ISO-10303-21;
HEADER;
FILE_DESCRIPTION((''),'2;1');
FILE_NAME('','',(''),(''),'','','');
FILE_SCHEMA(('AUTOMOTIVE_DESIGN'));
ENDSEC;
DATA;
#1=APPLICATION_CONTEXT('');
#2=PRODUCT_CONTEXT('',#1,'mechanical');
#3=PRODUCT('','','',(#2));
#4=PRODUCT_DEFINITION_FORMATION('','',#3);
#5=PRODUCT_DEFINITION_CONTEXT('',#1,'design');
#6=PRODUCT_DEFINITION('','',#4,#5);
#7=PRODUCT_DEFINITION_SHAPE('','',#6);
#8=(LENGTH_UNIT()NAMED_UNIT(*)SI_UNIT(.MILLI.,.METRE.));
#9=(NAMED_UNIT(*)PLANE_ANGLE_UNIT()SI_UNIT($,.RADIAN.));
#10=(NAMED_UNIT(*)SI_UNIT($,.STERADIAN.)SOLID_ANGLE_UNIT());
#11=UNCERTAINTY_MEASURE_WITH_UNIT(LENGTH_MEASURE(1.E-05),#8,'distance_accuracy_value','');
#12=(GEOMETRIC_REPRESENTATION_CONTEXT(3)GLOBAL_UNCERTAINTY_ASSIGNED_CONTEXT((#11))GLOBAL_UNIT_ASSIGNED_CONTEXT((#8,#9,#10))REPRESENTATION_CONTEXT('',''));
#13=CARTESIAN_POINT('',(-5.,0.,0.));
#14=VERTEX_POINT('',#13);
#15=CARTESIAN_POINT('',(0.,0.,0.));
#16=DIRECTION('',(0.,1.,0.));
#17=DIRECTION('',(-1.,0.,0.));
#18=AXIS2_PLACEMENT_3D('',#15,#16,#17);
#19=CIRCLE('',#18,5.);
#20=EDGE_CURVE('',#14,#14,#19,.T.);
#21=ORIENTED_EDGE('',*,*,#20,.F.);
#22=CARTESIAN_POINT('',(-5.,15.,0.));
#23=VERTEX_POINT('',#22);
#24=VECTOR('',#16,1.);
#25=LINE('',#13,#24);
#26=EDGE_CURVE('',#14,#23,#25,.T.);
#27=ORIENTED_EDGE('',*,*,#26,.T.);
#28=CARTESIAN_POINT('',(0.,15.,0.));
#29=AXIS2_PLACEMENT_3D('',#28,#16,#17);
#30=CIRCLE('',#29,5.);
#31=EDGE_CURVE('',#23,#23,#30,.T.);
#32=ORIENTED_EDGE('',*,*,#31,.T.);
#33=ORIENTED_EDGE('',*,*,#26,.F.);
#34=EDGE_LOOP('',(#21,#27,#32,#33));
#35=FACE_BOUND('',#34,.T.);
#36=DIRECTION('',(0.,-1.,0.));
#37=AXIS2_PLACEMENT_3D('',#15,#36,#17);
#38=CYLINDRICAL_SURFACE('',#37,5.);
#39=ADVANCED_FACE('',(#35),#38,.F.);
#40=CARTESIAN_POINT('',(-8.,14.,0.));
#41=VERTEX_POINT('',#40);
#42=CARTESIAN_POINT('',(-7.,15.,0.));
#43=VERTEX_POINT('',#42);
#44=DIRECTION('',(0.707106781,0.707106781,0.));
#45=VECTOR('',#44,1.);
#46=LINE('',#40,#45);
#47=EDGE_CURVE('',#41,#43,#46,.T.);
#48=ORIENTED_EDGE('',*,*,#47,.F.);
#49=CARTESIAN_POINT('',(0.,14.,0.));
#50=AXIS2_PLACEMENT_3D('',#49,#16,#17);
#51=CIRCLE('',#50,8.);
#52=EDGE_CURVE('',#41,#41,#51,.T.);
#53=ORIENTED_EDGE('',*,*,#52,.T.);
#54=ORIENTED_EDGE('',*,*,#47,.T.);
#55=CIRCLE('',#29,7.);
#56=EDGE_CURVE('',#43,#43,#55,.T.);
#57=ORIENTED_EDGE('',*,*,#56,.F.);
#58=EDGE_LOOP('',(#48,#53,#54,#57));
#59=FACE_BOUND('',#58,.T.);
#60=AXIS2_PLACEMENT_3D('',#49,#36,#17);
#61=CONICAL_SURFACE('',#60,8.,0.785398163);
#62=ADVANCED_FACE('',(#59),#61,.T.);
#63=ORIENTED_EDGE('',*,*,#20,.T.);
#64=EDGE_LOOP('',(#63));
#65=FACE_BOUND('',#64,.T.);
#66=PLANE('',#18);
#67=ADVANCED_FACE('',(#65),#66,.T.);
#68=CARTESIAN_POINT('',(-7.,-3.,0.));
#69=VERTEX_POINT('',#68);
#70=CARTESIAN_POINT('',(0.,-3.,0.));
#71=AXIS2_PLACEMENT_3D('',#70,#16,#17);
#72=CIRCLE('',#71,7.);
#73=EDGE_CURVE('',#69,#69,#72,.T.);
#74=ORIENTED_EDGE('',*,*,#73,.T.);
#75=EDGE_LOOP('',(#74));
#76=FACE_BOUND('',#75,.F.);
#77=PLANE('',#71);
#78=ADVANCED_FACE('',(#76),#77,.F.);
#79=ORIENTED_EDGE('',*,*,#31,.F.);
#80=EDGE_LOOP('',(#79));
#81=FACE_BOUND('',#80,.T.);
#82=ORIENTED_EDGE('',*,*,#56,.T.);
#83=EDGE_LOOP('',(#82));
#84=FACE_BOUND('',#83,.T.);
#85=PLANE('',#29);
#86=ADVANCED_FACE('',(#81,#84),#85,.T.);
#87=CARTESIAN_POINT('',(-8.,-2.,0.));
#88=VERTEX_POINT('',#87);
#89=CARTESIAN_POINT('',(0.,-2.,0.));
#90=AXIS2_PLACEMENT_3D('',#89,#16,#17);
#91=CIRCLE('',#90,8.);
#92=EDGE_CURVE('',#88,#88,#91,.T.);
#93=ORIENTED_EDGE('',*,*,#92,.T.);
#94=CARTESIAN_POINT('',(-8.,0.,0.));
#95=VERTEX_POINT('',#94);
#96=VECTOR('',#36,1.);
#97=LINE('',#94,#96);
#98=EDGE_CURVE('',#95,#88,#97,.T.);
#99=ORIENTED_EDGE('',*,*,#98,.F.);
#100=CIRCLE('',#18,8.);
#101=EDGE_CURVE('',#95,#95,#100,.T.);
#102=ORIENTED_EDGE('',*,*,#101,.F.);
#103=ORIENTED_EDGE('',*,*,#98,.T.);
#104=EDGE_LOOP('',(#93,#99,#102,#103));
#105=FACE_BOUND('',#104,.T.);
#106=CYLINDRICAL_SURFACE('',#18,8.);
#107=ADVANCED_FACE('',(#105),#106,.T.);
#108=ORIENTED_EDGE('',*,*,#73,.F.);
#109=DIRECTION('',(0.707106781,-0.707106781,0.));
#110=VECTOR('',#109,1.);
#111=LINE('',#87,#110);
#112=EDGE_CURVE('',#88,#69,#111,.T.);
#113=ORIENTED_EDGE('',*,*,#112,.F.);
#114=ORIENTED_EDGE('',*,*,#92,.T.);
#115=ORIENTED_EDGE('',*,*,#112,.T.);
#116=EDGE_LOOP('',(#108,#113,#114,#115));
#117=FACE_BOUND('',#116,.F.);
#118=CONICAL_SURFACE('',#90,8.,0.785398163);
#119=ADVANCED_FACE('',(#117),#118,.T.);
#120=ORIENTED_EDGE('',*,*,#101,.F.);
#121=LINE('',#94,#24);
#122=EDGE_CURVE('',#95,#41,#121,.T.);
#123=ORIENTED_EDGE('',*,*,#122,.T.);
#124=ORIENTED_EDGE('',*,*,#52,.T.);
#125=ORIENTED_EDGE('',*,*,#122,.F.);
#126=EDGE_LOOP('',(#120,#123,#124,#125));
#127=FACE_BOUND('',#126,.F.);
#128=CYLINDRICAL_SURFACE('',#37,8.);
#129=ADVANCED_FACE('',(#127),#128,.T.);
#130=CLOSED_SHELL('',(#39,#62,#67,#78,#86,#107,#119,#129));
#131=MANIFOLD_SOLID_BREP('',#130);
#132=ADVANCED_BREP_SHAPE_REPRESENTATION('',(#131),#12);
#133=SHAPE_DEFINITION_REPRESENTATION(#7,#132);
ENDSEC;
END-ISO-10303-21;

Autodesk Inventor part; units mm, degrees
ref_plane "YZ Plane" through (0, 0, 0) normal (1, 0, 0) x (0, 1, 0)
ref_plane "XZ Plane" through (0, 0, 0) normal (0, 1, 0) x (-1, 0, 0)
ref_plane "XY Plane" through (0, 0, 0) normal (0, 0, 1) x (1, 0, 0)
sketch "Sketch1" plane through (0, 0, 0) normal (0, 1, 0) x (-1, 0, 0)
  circle A0 centre (0, 0) radius 5
  circle A1 centre (0, 0) radius 8
  dimension "d0" = 10
  dimension "d1" = 16
extrude "Extrusion1" add sketch "Sketch1" against normal blind 3 contours A0 | A1
extrude "Extrusion2" add sketch "Sketch1" along normal blind 15
chamfer "Chamfer1" distance 1 angle 45 2 edges at (8, 15, 0) (8, -3, 0)
properties part number "3DP_ASA_Rod_End_Cap"
